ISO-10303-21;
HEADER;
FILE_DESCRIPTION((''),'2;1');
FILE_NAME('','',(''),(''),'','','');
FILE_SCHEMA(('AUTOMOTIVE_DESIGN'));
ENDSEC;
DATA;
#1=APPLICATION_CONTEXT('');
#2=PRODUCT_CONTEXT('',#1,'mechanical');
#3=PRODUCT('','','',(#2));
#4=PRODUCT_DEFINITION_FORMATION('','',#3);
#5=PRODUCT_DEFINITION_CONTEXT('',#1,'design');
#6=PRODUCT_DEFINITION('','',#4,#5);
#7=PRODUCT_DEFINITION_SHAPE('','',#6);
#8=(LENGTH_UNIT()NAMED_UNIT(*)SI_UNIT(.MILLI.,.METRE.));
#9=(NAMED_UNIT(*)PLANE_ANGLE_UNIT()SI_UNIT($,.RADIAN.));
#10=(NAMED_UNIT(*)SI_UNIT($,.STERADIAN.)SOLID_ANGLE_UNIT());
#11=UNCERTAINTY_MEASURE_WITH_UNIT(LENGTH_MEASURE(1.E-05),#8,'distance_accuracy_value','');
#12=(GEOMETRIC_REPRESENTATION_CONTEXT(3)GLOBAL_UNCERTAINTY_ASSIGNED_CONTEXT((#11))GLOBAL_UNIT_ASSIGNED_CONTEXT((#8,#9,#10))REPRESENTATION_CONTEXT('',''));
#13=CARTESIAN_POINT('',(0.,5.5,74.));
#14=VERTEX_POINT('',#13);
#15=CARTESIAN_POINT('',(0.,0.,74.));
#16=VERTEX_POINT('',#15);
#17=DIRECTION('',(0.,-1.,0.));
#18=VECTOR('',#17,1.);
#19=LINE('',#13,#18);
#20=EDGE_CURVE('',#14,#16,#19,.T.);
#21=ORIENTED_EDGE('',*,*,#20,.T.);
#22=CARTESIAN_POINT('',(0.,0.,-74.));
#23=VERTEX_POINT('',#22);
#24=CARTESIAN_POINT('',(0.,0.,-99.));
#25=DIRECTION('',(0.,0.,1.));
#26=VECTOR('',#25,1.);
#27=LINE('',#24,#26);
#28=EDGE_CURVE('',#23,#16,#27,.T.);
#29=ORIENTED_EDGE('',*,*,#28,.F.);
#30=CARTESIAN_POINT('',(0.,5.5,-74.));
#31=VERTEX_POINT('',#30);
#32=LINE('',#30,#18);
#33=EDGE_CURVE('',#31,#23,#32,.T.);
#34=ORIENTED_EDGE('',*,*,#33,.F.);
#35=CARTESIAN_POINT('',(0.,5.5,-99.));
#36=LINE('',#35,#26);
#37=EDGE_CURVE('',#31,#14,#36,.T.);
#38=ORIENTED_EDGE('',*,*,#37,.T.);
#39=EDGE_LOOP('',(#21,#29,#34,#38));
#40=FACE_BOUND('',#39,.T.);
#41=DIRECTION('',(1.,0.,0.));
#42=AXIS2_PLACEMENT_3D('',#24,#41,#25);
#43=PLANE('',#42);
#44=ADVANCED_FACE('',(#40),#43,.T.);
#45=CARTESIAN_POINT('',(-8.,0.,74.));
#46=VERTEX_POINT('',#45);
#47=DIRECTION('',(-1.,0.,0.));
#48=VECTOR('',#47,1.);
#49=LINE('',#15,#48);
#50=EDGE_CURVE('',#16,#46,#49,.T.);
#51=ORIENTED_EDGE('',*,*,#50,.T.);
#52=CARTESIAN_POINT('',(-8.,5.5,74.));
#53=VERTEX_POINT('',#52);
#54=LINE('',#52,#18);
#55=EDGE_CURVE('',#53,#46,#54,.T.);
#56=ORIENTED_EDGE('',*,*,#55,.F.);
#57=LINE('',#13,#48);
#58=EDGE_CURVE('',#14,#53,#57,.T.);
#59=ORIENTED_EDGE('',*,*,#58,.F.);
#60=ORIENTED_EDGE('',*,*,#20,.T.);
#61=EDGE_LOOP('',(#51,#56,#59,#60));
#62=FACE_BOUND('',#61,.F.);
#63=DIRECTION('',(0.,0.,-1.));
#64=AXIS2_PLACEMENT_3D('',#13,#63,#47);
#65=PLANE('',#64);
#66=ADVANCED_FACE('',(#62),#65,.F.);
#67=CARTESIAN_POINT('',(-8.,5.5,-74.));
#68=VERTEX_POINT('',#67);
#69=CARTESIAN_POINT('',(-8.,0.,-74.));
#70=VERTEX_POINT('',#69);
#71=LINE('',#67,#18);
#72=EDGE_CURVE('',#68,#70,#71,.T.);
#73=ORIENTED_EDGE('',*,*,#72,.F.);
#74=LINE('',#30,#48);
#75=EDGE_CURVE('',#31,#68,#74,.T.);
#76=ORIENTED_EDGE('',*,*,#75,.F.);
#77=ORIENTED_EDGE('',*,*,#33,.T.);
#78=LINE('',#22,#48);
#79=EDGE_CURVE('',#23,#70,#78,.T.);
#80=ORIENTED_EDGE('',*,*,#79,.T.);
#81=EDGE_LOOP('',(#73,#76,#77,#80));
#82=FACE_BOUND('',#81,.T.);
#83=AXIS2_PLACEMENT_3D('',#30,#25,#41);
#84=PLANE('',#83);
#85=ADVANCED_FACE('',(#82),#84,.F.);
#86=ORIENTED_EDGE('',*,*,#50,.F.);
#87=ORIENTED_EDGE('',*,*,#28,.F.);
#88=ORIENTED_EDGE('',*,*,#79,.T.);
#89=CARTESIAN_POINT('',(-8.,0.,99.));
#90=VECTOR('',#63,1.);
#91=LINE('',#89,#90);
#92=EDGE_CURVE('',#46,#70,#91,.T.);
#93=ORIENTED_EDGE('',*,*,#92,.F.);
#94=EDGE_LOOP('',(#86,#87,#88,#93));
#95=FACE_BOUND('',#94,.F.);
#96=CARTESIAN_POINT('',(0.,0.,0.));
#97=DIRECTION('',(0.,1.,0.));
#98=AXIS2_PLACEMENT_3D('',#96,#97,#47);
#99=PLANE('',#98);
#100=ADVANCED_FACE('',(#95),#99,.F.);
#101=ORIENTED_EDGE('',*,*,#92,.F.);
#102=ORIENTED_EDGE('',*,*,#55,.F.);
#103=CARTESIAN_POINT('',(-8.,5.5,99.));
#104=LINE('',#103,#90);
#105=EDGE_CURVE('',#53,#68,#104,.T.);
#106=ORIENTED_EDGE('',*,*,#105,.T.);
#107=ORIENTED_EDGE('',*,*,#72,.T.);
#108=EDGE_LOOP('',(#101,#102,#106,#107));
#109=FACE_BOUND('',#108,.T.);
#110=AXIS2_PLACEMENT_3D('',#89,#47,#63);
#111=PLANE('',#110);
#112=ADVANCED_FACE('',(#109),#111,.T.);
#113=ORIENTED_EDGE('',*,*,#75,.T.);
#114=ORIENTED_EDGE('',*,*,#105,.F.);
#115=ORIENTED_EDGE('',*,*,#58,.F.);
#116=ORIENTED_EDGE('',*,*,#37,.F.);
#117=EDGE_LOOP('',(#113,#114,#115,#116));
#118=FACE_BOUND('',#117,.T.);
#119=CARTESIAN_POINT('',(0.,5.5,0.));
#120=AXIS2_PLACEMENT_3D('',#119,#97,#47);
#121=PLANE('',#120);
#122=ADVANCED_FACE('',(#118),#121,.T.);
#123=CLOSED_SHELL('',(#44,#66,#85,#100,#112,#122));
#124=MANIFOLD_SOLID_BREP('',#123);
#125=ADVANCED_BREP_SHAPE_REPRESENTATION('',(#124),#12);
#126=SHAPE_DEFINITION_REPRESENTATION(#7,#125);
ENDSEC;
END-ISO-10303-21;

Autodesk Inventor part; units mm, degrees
ref_plane "YZ Plane" through (0, 0, 0) normal (1, 0, 0) x (0, 1, 0)
ref_plane "XZ Plane" through (0, 0, 0) normal (0, 1, 0) x (-1, 0, 0)
ref_plane "XY Plane" through (0, 0, 0) normal (0, 0, 1) x (1, 0, 0)
sketch "スケッチ1" plane through (0, 0, 0) normal (0, 1, 0) x (-1, 0, 0)
  line L0 (0, 99) -> (8, 99)
  line L1 (8, 99) -> (8, -99)
  line L2 (8, -99) -> (0, -99)
  line L3 (0, -99) -> (0, 99)
  point P0 (0, 0)
  point P1 (0, 0)
  dimension "d0" = 198
  dimension "d1" = 8
extrude "押し出し1" add sketch "スケッチ1" along normal blind 5.5
sketch "スケッチ2" plane through (0, 5.5, 0) normal (0, 1, 0) x (1, 0, 0)
  line L0 (-8, 99) -> (-8, -99) projected
  line L1 (-8, -99) -> (0, -99)
  line L2 (0, -99) -> (0, -74)
  line L3 (0, -74) -> (-8, -74)
  line L4 (-8, -74) -> (-8, -99)
  line L5 (0, -99) -> (0, 98.6733)
  point P0 (0, 0)
  point P1 (-8, -74)
  dimension "d4" = 25
  dimension "d7" = 8
extrude "押し出し2" cut sketch "スケッチ2" against normal through all
mirror "ミラー1" about plane through (0, 0, 0) normal (0, 0, 1) of "押し出し2"
properties part number "back_upper" material "木材 (カエデ材)"
